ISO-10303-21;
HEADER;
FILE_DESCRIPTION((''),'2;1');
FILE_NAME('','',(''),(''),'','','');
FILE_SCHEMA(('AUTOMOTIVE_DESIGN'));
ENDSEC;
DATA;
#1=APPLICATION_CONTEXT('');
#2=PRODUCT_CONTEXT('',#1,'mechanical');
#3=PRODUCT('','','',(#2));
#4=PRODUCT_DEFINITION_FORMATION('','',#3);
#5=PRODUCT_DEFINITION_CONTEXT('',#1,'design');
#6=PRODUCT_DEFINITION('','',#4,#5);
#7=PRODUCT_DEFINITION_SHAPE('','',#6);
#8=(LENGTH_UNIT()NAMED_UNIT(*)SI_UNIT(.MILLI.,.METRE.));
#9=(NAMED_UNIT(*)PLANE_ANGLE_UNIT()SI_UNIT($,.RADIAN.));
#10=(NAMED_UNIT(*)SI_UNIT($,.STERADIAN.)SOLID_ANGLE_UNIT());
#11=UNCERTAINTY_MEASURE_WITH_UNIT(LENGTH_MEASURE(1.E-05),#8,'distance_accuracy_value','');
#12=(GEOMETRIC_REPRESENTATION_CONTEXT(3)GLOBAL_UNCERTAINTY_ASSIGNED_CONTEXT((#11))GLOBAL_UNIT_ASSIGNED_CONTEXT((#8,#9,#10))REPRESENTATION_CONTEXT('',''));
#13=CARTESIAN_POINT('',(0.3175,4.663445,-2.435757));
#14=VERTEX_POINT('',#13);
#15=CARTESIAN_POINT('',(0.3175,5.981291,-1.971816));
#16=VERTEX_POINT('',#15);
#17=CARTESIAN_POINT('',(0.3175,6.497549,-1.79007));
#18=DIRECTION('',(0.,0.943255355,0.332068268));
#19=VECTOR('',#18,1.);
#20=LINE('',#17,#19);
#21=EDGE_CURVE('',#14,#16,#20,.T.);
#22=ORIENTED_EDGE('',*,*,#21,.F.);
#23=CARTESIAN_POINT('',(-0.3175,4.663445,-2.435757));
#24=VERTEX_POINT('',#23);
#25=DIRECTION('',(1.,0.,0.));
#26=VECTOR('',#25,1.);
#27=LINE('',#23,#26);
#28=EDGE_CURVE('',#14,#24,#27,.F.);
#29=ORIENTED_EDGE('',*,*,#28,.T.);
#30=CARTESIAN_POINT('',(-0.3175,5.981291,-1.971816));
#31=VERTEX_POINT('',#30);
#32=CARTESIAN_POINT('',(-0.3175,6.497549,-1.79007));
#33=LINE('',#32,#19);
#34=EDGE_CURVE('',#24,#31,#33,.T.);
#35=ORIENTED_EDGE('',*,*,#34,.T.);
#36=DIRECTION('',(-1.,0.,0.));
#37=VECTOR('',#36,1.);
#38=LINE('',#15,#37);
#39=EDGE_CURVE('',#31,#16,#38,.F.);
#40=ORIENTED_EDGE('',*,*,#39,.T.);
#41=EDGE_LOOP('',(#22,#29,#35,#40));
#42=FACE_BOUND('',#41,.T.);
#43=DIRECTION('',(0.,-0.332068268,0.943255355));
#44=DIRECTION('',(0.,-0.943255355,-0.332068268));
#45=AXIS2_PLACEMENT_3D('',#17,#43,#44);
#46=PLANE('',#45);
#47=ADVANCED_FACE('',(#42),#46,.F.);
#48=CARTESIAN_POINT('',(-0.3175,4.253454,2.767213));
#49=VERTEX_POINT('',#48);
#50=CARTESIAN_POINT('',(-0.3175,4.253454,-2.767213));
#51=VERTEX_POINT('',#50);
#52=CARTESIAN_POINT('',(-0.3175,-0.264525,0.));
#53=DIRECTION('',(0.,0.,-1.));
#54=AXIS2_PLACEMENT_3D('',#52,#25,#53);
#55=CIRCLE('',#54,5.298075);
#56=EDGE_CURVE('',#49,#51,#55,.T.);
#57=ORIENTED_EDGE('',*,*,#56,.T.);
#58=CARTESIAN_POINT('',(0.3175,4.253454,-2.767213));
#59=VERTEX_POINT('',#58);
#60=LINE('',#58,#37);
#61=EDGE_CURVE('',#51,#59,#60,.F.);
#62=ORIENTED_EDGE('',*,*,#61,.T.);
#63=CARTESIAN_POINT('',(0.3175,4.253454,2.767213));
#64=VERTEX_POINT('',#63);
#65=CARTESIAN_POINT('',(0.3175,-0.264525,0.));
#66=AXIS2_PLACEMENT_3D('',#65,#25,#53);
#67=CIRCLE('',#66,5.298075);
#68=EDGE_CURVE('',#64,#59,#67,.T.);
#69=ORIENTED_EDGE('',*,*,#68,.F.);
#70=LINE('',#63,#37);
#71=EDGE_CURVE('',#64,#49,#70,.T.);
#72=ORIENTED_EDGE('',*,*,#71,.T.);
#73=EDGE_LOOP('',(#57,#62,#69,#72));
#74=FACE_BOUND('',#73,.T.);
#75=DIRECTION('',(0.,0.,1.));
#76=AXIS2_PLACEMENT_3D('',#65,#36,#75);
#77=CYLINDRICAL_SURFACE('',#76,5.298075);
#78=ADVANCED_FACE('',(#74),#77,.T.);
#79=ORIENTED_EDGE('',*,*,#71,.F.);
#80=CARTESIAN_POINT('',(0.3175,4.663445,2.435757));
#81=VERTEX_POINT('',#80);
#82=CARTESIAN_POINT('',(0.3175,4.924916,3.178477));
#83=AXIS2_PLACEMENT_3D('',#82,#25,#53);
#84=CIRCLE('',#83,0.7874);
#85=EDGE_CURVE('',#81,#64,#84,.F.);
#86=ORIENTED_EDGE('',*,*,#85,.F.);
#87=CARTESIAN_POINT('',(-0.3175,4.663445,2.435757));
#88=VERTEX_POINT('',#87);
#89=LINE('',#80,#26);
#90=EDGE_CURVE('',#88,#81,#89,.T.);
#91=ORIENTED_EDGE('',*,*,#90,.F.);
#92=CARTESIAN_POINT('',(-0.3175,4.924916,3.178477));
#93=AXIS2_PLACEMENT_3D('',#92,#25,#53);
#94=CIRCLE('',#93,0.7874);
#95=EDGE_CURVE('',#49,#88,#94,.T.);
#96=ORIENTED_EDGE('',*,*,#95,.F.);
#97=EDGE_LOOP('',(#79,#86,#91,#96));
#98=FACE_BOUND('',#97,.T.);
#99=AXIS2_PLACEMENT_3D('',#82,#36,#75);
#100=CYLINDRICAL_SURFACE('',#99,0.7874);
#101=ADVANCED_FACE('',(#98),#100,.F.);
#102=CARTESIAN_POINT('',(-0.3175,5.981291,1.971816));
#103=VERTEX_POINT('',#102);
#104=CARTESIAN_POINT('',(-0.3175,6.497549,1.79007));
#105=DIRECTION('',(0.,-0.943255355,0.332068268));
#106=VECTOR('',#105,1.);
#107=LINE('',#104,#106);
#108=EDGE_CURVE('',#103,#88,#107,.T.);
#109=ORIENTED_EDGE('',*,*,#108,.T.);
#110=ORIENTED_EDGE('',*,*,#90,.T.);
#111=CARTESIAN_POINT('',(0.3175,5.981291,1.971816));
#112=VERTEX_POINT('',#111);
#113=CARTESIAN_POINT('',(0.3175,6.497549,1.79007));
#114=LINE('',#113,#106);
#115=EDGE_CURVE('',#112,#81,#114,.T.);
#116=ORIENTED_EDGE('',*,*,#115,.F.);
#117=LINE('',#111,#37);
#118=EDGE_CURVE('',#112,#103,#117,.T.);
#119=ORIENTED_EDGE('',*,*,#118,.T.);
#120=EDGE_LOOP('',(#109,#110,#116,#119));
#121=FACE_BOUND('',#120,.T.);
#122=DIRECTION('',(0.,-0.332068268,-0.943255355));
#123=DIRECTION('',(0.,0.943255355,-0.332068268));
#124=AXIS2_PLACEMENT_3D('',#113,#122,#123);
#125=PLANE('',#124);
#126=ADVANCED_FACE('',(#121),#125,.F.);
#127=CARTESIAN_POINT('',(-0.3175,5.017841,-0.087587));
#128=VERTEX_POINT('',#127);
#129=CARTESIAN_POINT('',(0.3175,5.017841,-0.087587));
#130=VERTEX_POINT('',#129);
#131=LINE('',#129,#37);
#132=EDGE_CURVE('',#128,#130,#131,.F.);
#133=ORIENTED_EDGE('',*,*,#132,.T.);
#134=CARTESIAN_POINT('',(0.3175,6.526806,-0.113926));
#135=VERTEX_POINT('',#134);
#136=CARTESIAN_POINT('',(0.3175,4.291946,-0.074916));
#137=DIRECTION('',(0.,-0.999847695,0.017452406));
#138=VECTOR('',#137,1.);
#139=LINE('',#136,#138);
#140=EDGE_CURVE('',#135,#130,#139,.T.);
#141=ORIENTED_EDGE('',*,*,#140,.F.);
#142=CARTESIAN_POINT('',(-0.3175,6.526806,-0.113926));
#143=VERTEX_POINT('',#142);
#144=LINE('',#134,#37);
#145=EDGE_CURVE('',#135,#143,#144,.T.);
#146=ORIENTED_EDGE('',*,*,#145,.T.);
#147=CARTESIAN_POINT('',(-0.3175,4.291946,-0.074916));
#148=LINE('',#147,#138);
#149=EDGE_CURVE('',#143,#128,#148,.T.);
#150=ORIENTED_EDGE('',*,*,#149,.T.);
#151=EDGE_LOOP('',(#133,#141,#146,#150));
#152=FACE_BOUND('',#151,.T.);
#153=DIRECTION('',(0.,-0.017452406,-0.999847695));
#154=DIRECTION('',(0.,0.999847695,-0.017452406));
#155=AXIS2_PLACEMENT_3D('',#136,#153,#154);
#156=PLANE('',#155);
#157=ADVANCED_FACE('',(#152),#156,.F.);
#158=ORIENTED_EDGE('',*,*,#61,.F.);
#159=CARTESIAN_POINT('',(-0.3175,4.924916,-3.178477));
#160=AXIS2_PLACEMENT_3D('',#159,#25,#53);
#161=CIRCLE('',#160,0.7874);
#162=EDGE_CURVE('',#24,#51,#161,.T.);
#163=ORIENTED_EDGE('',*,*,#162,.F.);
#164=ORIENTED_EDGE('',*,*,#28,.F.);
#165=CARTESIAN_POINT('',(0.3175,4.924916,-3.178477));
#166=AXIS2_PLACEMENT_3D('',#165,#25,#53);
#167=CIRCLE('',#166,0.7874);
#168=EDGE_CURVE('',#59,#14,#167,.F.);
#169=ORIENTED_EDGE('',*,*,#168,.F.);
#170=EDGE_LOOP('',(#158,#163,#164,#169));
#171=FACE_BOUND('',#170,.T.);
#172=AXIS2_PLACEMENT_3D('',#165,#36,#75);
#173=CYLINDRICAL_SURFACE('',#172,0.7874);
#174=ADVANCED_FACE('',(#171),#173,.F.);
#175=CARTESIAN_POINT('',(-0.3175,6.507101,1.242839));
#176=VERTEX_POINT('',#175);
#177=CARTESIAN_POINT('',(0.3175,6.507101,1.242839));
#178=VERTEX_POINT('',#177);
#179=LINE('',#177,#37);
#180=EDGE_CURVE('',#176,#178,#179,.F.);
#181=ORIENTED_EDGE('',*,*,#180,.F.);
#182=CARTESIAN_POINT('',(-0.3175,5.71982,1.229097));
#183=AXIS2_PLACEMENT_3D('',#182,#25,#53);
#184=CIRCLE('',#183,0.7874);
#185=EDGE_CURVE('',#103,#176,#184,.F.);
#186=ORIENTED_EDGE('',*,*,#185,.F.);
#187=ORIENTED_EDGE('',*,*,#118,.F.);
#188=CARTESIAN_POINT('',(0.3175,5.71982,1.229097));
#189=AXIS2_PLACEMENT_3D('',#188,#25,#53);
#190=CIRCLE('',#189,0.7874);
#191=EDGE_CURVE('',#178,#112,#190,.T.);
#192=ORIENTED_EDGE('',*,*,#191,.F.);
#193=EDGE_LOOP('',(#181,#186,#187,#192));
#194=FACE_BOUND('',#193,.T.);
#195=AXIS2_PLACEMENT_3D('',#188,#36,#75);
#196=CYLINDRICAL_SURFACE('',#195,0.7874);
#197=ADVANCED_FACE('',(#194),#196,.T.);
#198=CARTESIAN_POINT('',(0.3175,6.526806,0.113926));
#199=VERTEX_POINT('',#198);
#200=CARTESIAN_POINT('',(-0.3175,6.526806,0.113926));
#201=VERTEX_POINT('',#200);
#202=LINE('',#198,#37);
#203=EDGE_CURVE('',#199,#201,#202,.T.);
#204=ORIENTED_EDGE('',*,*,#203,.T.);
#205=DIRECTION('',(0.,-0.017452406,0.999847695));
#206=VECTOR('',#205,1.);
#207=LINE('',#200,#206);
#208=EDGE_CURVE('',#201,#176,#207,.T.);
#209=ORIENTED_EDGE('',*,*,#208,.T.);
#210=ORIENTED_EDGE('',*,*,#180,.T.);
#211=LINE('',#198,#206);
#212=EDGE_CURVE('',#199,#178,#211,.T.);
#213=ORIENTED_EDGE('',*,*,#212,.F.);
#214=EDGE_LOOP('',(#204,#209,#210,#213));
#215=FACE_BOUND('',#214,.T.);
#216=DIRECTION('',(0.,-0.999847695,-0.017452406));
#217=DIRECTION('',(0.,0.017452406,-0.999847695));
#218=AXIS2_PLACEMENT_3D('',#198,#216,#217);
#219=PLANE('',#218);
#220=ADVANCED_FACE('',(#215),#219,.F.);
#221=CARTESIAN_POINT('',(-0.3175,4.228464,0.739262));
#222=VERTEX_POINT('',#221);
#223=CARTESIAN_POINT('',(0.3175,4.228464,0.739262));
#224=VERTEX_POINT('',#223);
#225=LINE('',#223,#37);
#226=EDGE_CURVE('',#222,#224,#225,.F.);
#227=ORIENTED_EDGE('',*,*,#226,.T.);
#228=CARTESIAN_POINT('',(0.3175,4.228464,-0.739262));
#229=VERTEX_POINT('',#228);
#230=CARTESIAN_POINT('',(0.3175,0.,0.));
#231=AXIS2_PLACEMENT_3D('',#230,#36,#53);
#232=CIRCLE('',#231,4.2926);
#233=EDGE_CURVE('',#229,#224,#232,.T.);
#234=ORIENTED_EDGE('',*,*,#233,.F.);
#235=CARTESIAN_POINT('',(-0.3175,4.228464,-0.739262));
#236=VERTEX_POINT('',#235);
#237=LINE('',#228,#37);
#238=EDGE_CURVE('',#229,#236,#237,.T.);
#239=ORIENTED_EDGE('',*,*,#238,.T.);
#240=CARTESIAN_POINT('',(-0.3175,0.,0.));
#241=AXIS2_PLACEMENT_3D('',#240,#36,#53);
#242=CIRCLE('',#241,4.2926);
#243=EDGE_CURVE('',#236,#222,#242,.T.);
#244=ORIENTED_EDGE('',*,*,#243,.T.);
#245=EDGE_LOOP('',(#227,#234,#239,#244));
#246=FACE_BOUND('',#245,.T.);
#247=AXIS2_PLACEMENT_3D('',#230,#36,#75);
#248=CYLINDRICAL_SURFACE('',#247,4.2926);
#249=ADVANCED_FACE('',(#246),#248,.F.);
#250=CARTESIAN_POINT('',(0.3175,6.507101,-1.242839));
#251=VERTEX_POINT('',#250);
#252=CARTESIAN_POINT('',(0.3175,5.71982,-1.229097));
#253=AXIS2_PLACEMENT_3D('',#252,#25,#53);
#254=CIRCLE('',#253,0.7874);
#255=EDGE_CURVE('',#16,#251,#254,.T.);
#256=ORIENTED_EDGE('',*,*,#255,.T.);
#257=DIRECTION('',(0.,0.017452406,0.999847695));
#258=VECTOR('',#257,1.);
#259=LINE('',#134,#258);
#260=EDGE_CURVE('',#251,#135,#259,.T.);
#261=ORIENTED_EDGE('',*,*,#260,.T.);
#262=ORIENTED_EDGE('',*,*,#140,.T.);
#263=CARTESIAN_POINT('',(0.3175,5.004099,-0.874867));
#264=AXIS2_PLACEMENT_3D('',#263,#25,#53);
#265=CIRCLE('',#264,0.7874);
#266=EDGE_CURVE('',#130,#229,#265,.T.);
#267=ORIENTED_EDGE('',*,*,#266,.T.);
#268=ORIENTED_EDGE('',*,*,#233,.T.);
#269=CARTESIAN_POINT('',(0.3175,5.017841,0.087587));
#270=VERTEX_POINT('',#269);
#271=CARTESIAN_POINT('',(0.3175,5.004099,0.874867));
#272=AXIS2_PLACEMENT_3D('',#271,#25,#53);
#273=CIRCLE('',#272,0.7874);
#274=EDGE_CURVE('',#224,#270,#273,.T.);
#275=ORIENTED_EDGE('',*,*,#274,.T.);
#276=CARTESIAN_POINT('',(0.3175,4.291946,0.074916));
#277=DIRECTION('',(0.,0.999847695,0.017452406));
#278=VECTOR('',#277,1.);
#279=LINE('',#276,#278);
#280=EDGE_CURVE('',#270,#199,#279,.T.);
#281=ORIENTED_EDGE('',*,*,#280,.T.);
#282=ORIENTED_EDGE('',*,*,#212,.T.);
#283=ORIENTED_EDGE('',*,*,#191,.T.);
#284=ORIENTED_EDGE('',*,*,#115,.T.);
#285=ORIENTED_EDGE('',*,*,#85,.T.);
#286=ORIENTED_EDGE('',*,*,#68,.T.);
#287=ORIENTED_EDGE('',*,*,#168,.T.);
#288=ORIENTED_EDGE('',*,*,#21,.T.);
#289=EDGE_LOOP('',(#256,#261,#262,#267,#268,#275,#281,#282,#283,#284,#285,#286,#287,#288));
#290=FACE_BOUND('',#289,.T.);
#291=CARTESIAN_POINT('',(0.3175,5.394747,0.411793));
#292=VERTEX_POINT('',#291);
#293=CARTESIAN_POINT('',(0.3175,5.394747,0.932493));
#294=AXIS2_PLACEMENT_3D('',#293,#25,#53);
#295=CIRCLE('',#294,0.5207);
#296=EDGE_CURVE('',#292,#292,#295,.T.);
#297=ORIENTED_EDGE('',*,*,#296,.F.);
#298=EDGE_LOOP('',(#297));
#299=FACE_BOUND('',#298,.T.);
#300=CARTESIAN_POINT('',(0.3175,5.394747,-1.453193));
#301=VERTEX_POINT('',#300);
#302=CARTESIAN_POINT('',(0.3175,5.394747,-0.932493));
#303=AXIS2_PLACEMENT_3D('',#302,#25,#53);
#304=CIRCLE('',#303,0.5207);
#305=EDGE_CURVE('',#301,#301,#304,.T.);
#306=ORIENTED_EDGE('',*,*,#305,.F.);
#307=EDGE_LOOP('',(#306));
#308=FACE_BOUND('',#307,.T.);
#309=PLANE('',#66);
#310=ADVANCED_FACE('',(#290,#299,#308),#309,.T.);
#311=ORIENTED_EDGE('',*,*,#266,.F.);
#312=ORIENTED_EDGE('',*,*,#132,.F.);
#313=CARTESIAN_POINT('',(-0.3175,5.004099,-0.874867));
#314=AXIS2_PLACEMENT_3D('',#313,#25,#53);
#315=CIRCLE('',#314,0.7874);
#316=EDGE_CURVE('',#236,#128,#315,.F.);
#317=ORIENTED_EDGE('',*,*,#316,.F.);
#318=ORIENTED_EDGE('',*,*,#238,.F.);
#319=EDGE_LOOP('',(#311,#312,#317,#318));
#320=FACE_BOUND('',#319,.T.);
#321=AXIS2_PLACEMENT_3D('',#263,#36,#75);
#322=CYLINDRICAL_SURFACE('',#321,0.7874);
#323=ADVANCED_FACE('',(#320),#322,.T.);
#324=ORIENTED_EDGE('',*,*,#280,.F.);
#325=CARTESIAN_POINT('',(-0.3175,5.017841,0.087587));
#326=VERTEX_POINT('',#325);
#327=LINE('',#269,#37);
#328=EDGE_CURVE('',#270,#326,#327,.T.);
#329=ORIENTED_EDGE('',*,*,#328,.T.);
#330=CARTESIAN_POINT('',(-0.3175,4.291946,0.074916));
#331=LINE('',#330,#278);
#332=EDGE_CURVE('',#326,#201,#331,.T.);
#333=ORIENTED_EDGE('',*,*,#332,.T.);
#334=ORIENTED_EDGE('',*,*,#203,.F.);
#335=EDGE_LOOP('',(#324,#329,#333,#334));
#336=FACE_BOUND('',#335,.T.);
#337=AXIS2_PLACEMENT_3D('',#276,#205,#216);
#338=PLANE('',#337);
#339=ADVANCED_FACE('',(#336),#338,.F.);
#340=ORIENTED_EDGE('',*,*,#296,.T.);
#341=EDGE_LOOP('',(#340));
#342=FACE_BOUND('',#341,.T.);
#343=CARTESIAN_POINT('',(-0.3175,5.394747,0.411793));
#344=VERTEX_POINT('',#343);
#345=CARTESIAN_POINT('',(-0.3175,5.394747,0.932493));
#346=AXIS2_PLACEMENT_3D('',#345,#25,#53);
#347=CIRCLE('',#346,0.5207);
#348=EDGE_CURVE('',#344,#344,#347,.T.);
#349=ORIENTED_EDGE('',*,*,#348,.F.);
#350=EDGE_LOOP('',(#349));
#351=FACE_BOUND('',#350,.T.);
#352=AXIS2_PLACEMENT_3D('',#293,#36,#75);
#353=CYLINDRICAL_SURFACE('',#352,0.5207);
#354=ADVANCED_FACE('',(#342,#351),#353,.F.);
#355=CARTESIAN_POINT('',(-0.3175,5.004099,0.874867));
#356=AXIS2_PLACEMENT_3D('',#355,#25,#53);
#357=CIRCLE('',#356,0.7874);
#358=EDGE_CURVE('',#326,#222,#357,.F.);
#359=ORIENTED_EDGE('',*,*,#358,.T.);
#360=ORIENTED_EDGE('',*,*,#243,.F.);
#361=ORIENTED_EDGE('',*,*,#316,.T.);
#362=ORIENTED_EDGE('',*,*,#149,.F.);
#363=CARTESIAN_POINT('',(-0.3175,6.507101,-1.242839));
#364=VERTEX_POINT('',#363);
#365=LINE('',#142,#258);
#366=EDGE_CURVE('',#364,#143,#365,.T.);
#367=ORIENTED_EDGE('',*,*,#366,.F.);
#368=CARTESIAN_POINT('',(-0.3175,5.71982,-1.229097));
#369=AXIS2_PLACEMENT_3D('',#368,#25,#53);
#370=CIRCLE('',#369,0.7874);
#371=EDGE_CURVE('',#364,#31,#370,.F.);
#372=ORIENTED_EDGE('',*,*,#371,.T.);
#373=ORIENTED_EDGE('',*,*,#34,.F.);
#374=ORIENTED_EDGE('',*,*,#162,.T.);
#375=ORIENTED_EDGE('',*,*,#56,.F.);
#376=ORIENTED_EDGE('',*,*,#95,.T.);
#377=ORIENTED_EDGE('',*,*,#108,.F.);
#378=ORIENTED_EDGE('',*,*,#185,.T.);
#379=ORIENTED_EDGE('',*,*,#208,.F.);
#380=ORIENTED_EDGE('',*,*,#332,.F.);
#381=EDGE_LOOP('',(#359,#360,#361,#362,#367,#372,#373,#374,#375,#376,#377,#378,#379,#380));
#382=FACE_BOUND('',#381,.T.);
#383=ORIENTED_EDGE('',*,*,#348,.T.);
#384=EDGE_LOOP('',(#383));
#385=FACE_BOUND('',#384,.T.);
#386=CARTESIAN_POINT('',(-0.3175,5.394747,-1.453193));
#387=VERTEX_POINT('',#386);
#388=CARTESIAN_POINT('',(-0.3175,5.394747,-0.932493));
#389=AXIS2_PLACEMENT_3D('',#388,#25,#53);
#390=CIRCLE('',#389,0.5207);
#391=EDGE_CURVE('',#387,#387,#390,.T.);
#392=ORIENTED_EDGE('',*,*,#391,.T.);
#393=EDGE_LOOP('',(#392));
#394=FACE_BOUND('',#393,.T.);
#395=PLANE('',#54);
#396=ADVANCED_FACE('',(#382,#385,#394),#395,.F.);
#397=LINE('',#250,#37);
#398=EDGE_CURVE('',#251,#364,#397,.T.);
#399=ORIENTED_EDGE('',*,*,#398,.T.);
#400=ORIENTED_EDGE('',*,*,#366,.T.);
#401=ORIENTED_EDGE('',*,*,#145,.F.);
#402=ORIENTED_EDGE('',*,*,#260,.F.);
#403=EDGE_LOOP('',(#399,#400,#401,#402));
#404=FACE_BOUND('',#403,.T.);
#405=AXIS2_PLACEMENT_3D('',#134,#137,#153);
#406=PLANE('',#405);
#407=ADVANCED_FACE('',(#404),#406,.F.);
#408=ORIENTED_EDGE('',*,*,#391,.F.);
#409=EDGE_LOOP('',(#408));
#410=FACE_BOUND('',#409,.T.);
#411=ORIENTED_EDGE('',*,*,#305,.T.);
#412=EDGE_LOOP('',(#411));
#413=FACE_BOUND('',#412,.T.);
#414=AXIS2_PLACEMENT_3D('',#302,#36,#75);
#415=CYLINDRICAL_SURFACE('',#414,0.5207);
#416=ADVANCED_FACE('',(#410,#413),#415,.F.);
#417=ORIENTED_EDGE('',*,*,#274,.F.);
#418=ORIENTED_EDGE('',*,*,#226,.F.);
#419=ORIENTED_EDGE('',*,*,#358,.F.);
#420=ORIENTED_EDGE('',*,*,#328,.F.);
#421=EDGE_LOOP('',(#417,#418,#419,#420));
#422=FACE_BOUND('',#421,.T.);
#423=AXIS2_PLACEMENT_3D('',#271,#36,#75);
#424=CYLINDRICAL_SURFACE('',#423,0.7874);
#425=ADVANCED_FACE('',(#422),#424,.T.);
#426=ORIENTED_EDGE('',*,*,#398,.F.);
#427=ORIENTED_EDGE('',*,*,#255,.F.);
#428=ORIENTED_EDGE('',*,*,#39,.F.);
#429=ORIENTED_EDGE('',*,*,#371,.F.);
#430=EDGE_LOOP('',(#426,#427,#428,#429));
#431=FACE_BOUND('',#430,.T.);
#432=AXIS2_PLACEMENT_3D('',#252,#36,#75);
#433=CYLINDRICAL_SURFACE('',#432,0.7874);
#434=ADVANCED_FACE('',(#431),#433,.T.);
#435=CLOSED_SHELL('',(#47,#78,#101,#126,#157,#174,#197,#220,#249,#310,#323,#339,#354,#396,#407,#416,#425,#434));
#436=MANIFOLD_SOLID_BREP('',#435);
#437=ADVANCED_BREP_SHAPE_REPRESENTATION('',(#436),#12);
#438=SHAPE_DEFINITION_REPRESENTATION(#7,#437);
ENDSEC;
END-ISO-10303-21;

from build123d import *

# Parameters (mm, degrees)
SKETCH3_R                = 0.5207
BOSS_EXTRUDE1_DEPTH      = 0.3175
BOSS_EXTRUDE1_DEPTH_BACK = 0.3175
FILLET1_R                = 0.7874


with BuildPart() as part:
    # Sketch3 → Boss-Extrude1 (new body, two sides)
    with BuildSketch(Plane(origin=(0, 0, 0), x_dir=(0, 0, -1), z_dir=(1, 0, 0))) as boss_extrude1_sk:
        with BuildLine():
            Line((-1.790070495, 6.49754857), (-2.532309488, 4.3891842))
            ThreePointArc((-2.532309488, 4.3891842), (0, -5.5626), (2.532309488, 4.3891842))
            Line((2.532309488, 4.3891842), (1.790070495, 6.49754857))
            Line((1.790070495, 6.49754857), (0.113925819, 6.526805784))
            Line((0.113925819, 6.526805784), (0.0749162, 4.291946216))
            ThreePointArc((0.0749162, 4.291946216), (0, -4.2926), (-0.0749162, 4.291946216))
            Line((-0.0749162, 4.291946216), (-0.113925819, 6.526805784))
            Line((-0.113925819, 6.526805784), (-1.790070495, 6.49754857))
        make_face()
        with Locations((-0.932493347, 5.394747393)):
            Circle(SKETCH3_R, mode=Mode.SUBTRACT)
        with Locations((0.932493347, 5.394747393)):
            Circle(SKETCH3_R, mode=Mode.SUBTRACT)
    extrude(amount=BOSS_EXTRUDE1_DEPTH)
    extrude(boss_extrude1_sk.sketch, amount=-BOSS_EXTRUDE1_DEPTH_BACK)

    # Fillet1
    fillet1_edges = [part.edges().sort_by_distance(p)[0] for p in [
        (0, 4.3891842, 2.532309488),
        (0, 6.49754857, 1.790070495),
        (0, 4.291946216, 0.0749162),
        (0, 4.291946216, -0.0749162),
        (0, 6.49754857, -1.790070495),
        (0, 4.3891842, -2.532309488),
    ]]
    fillet(fillet1_edges, radius=FILLET1_R)


solid = part.part
